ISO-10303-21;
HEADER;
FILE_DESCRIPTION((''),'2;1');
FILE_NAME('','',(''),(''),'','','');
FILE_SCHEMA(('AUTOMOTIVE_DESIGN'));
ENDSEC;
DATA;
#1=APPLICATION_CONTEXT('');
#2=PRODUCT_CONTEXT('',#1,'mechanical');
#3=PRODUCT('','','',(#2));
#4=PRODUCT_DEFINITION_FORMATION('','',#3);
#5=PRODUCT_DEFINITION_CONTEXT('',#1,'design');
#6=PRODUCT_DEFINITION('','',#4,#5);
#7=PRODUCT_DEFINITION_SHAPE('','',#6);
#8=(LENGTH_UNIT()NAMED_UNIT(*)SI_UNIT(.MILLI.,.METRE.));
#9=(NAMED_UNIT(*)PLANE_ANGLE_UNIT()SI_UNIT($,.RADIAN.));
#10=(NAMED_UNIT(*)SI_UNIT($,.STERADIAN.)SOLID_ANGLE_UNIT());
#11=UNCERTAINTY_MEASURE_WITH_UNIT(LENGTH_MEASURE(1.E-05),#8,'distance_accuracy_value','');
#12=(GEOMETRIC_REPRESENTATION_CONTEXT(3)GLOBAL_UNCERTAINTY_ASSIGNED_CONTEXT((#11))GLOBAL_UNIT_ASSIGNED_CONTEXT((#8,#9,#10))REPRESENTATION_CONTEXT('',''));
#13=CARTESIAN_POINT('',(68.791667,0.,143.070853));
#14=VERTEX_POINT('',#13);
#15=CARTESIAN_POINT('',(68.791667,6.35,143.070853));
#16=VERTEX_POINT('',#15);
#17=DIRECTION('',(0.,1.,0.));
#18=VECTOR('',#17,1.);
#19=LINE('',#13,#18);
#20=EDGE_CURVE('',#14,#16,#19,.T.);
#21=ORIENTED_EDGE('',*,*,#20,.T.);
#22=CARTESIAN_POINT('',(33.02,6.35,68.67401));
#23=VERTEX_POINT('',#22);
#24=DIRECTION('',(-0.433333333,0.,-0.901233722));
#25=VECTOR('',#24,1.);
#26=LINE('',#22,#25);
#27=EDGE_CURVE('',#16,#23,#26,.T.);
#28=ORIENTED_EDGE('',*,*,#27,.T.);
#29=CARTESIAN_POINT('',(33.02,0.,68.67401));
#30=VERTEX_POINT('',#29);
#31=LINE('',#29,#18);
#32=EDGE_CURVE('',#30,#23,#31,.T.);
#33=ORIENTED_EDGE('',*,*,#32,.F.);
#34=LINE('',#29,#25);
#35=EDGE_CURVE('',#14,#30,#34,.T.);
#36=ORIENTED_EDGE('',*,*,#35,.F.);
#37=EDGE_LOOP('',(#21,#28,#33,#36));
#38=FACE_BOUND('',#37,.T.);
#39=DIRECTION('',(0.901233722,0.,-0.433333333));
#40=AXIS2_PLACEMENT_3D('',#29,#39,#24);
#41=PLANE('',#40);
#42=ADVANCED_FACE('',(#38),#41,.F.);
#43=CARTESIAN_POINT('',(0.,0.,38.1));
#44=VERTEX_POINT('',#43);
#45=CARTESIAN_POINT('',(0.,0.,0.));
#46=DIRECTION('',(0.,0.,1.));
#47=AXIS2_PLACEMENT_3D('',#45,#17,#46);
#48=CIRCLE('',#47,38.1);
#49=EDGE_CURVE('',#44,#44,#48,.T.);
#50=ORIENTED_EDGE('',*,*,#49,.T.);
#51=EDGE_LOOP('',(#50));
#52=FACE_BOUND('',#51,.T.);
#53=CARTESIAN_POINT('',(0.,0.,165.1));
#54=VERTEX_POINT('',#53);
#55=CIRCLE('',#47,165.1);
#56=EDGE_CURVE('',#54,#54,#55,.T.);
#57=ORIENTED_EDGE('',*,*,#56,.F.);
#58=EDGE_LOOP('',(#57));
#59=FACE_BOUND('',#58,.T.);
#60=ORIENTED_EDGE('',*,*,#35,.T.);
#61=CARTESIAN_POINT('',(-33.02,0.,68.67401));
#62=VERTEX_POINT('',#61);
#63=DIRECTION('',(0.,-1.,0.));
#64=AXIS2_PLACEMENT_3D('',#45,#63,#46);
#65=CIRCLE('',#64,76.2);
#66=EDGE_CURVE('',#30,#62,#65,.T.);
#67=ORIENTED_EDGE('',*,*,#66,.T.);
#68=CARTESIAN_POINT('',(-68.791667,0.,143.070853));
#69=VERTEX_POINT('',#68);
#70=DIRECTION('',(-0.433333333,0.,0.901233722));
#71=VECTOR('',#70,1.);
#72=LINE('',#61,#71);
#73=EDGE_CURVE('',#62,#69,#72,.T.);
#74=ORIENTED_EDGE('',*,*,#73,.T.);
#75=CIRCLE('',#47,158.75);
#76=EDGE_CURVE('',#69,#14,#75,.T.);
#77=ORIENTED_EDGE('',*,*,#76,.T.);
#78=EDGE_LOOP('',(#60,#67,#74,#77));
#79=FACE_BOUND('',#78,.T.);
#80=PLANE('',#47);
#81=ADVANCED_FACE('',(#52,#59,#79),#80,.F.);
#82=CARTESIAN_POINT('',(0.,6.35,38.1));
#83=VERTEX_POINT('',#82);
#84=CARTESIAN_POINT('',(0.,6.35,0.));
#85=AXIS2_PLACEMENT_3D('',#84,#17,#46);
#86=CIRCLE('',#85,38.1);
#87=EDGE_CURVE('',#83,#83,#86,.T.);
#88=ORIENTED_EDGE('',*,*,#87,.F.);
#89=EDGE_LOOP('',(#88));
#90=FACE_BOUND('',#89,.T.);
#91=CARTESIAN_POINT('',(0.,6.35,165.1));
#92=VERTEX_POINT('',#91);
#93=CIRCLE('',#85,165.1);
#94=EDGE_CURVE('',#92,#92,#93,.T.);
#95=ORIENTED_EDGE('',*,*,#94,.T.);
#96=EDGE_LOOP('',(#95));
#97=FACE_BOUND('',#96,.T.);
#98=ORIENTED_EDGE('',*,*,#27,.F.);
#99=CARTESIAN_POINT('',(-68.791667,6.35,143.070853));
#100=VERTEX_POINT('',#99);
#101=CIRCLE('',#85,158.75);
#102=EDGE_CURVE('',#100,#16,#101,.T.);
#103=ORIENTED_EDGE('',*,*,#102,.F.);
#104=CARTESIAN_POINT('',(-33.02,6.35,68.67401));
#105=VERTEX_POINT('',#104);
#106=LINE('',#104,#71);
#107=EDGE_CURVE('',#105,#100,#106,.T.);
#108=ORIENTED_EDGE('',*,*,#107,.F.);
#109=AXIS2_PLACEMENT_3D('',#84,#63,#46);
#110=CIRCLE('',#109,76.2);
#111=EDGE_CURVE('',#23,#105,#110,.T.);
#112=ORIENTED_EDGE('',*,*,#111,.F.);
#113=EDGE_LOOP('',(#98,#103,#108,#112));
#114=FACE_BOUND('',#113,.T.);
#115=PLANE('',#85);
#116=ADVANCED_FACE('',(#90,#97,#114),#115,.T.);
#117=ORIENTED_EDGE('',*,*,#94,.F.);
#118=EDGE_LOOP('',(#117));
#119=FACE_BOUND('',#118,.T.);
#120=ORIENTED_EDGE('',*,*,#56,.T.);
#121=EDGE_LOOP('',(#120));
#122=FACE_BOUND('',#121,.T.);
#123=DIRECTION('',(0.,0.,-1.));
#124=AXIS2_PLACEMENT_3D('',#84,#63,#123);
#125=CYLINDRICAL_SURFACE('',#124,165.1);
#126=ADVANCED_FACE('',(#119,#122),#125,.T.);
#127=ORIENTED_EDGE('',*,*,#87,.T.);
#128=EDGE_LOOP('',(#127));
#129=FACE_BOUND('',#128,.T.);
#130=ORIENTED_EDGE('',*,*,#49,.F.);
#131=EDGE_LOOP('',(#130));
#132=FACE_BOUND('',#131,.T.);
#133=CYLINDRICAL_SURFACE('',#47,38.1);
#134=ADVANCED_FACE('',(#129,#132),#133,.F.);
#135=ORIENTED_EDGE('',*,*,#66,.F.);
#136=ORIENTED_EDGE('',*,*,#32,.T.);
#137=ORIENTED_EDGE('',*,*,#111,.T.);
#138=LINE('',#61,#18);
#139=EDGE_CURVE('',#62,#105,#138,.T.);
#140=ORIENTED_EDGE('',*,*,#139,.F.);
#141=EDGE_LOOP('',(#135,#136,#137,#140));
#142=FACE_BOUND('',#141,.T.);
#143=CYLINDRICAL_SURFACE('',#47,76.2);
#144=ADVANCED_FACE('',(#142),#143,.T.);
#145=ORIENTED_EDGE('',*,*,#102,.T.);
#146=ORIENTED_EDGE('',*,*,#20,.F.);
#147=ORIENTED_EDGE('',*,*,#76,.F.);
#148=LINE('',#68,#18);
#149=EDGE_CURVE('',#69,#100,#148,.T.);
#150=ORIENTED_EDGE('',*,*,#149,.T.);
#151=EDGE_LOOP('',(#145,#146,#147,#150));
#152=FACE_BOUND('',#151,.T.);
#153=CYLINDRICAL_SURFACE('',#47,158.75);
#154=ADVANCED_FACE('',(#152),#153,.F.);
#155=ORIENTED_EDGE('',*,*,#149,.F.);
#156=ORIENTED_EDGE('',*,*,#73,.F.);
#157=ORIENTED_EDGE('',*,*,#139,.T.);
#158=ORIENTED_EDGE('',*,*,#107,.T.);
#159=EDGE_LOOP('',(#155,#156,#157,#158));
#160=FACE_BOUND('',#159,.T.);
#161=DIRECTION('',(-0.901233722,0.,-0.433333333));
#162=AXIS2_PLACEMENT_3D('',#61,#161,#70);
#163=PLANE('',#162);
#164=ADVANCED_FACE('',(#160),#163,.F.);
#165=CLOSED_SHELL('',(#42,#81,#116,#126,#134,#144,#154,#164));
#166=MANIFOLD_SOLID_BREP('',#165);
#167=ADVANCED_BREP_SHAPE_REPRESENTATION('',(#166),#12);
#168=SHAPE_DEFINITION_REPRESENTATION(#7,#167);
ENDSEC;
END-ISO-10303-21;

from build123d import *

# Parameters (mm, degrees)
SKETCH1_R           = 165.1
BOSS_EXTRUDE1_DEPTH = 6.35
SKETCH2_R           = 38.1
CUT_EXTRUDE1_DEPTH  = 6.35
CUT_EXTRUDE2_DEPTH  = 6.35


with BuildPart() as part:
    # Sketch1 → Boss-Extrude1 (new body)
    with BuildSketch(Plane(origin=(0, 0, 0), x_dir=(1, 0, 0), z_dir=(0, 1, 0))):
        with Locations(Location((0, 0, 0), (0, 0, 270))):
            Circle(SKETCH1_R)
    extrude(amount=BOSS_EXTRUDE1_DEPTH)

    # Sketch2 → Cut-Extrude1 (cut)
    with BuildSketch(Plane(origin=(0, 6.35, 0), x_dir=(1, 0, 0), z_dir=(0, 1, 0))):
        with Locations(Location((0, 0, 0), (0, 0, 270))):
            Circle(SKETCH2_R)
    extrude(amount=-CUT_EXTRUDE1_DEPTH, mode=Mode.SUBTRACT)

    # Sketch3 → Cut-Extrude2 (cut)
    with BuildSketch(Plane(origin=(0, 6.35, 0), x_dir=(1, 0, 0), z_dir=(0, 1, 0))):
        with BuildLine():
            Line((-33.02, -68.67400964), (-68.791666667, -143.070853416))
            ThreePointArc((-68.791666667, -143.070853416), (0, -158.75), (68.791666667, -143.070853416))
            Line((68.791666667, -143.070853416), (33.02, -68.67400964))
            ThreePointArc((33.02, -68.67400964), (0, -76.2), (-33.02, -68.67400964))
        make_face()
    extrude(amount=-CUT_EXTRUDE2_DEPTH, mode=Mode.SUBTRACT)


solid = part.part
